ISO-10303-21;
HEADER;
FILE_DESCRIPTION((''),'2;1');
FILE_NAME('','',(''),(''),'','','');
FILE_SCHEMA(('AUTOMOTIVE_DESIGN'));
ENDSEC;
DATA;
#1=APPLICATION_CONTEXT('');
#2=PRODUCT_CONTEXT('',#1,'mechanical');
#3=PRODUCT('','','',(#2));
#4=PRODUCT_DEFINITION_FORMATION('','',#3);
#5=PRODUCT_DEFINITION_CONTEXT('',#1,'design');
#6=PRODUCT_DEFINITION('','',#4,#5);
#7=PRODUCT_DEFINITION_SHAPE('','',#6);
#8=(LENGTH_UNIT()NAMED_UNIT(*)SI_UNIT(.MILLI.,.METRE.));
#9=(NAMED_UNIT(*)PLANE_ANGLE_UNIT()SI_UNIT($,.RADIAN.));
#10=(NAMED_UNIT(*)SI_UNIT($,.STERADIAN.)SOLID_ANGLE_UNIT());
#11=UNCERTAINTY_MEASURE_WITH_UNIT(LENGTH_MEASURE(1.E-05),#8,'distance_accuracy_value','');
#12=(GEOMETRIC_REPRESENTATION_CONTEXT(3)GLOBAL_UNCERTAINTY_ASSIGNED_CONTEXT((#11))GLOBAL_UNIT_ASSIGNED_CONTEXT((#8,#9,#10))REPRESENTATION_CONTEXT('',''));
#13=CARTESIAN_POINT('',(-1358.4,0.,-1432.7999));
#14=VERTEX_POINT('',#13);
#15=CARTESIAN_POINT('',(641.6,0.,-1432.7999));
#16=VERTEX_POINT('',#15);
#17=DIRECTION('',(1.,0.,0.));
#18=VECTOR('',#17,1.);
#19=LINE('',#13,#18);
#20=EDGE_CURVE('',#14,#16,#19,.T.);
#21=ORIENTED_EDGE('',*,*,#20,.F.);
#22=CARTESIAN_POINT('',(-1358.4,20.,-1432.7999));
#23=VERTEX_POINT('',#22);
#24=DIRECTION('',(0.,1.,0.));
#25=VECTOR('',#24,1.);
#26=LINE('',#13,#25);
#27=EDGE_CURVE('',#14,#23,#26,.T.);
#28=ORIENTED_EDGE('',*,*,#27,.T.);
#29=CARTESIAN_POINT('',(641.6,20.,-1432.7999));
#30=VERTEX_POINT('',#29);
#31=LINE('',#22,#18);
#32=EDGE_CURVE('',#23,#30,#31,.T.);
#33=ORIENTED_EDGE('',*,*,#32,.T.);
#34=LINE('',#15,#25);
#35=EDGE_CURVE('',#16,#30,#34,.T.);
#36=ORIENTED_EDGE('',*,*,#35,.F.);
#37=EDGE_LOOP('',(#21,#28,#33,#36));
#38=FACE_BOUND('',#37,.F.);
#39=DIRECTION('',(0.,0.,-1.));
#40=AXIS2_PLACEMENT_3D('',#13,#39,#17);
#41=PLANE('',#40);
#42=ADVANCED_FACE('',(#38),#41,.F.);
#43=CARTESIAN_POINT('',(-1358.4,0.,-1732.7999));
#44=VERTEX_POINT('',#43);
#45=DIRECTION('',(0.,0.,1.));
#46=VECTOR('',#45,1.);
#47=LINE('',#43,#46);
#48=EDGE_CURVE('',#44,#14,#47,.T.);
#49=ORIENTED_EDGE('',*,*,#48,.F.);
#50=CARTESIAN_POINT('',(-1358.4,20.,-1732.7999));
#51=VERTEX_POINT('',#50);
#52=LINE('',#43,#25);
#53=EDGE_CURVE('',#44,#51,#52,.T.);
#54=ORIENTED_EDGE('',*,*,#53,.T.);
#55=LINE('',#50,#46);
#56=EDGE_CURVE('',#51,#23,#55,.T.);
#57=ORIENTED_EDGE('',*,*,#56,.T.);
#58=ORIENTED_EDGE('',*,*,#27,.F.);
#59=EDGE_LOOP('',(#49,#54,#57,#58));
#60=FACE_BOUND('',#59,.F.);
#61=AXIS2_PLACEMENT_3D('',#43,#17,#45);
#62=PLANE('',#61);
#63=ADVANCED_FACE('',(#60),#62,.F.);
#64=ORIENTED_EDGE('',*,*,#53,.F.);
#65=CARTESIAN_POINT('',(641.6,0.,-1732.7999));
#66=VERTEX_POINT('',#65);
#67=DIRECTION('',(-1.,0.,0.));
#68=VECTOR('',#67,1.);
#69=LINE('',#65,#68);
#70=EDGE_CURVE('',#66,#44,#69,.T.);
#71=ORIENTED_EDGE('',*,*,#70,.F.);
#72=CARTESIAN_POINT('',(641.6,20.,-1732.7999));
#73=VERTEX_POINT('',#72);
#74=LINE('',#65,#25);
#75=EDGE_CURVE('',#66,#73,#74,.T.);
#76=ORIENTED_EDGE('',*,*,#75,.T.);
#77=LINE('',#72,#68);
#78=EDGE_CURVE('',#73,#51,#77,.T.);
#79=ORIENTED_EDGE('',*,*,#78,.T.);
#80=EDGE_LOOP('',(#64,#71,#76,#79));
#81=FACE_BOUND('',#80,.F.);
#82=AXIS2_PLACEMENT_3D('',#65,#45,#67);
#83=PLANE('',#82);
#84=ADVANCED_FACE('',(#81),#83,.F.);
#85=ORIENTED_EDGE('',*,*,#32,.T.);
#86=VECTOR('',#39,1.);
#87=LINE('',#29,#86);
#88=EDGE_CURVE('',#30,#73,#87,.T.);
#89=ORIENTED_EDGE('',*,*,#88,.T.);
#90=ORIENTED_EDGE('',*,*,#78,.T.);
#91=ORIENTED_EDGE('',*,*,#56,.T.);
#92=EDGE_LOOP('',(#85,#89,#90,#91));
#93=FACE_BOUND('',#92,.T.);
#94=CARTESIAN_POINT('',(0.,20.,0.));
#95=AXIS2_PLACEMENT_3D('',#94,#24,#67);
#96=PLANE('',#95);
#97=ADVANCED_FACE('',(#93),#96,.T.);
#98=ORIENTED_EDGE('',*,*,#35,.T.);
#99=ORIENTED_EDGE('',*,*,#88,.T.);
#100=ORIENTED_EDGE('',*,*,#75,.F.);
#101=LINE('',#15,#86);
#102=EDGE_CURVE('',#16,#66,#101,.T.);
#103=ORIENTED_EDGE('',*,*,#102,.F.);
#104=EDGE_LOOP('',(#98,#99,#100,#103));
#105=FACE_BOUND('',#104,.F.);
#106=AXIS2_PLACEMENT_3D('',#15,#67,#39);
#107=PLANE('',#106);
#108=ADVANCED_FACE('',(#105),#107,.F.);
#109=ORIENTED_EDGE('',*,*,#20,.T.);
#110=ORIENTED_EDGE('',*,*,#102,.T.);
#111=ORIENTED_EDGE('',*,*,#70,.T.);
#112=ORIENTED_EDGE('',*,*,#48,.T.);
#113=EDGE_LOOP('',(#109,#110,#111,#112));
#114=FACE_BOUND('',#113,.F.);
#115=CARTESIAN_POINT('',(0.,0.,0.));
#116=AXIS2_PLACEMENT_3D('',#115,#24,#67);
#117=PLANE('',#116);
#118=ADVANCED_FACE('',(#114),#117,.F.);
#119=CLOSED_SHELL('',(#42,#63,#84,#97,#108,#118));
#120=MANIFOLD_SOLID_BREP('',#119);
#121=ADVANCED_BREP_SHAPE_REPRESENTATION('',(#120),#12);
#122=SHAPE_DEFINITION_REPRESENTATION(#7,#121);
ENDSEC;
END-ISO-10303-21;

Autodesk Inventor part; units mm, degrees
ref_plane "YZ Plane" through (0, 0, 0) normal (1, 0, 0) x (0, 1, 0)
ref_plane "XZ Plane" through (0, 0, 0) normal (0, 1, 0) x (-1, 0, 0)
ref_plane "XY Plane" through (0, 0, 0) normal (0, 0, 1) x (1, 0, 0)
sketch "Skizze1" plane through (0, 0, 0) normal (0, 1, 0) x (-1, 0, 0)
  line L0 (1358.4, -1432.7999) -> (-641.6, -1432.7999)
  line L1 (-641.6, -1432.7999) -> (-641.6, -1732.7999)
  line L2 (-641.6, -1732.7999) -> (1358.4, -1732.7999)
  line L3 (1358.4, -1732.7999) -> (1358.4, -1432.7999)
  point P0 (0, 0)
  dimension "d0" = 2000
  dimension "d1" = 300
extrude "Extrusion1" add sketch "Skizze1" along normal blind 20
properties part number "Rampe" material "Holz (Ahorn)"
